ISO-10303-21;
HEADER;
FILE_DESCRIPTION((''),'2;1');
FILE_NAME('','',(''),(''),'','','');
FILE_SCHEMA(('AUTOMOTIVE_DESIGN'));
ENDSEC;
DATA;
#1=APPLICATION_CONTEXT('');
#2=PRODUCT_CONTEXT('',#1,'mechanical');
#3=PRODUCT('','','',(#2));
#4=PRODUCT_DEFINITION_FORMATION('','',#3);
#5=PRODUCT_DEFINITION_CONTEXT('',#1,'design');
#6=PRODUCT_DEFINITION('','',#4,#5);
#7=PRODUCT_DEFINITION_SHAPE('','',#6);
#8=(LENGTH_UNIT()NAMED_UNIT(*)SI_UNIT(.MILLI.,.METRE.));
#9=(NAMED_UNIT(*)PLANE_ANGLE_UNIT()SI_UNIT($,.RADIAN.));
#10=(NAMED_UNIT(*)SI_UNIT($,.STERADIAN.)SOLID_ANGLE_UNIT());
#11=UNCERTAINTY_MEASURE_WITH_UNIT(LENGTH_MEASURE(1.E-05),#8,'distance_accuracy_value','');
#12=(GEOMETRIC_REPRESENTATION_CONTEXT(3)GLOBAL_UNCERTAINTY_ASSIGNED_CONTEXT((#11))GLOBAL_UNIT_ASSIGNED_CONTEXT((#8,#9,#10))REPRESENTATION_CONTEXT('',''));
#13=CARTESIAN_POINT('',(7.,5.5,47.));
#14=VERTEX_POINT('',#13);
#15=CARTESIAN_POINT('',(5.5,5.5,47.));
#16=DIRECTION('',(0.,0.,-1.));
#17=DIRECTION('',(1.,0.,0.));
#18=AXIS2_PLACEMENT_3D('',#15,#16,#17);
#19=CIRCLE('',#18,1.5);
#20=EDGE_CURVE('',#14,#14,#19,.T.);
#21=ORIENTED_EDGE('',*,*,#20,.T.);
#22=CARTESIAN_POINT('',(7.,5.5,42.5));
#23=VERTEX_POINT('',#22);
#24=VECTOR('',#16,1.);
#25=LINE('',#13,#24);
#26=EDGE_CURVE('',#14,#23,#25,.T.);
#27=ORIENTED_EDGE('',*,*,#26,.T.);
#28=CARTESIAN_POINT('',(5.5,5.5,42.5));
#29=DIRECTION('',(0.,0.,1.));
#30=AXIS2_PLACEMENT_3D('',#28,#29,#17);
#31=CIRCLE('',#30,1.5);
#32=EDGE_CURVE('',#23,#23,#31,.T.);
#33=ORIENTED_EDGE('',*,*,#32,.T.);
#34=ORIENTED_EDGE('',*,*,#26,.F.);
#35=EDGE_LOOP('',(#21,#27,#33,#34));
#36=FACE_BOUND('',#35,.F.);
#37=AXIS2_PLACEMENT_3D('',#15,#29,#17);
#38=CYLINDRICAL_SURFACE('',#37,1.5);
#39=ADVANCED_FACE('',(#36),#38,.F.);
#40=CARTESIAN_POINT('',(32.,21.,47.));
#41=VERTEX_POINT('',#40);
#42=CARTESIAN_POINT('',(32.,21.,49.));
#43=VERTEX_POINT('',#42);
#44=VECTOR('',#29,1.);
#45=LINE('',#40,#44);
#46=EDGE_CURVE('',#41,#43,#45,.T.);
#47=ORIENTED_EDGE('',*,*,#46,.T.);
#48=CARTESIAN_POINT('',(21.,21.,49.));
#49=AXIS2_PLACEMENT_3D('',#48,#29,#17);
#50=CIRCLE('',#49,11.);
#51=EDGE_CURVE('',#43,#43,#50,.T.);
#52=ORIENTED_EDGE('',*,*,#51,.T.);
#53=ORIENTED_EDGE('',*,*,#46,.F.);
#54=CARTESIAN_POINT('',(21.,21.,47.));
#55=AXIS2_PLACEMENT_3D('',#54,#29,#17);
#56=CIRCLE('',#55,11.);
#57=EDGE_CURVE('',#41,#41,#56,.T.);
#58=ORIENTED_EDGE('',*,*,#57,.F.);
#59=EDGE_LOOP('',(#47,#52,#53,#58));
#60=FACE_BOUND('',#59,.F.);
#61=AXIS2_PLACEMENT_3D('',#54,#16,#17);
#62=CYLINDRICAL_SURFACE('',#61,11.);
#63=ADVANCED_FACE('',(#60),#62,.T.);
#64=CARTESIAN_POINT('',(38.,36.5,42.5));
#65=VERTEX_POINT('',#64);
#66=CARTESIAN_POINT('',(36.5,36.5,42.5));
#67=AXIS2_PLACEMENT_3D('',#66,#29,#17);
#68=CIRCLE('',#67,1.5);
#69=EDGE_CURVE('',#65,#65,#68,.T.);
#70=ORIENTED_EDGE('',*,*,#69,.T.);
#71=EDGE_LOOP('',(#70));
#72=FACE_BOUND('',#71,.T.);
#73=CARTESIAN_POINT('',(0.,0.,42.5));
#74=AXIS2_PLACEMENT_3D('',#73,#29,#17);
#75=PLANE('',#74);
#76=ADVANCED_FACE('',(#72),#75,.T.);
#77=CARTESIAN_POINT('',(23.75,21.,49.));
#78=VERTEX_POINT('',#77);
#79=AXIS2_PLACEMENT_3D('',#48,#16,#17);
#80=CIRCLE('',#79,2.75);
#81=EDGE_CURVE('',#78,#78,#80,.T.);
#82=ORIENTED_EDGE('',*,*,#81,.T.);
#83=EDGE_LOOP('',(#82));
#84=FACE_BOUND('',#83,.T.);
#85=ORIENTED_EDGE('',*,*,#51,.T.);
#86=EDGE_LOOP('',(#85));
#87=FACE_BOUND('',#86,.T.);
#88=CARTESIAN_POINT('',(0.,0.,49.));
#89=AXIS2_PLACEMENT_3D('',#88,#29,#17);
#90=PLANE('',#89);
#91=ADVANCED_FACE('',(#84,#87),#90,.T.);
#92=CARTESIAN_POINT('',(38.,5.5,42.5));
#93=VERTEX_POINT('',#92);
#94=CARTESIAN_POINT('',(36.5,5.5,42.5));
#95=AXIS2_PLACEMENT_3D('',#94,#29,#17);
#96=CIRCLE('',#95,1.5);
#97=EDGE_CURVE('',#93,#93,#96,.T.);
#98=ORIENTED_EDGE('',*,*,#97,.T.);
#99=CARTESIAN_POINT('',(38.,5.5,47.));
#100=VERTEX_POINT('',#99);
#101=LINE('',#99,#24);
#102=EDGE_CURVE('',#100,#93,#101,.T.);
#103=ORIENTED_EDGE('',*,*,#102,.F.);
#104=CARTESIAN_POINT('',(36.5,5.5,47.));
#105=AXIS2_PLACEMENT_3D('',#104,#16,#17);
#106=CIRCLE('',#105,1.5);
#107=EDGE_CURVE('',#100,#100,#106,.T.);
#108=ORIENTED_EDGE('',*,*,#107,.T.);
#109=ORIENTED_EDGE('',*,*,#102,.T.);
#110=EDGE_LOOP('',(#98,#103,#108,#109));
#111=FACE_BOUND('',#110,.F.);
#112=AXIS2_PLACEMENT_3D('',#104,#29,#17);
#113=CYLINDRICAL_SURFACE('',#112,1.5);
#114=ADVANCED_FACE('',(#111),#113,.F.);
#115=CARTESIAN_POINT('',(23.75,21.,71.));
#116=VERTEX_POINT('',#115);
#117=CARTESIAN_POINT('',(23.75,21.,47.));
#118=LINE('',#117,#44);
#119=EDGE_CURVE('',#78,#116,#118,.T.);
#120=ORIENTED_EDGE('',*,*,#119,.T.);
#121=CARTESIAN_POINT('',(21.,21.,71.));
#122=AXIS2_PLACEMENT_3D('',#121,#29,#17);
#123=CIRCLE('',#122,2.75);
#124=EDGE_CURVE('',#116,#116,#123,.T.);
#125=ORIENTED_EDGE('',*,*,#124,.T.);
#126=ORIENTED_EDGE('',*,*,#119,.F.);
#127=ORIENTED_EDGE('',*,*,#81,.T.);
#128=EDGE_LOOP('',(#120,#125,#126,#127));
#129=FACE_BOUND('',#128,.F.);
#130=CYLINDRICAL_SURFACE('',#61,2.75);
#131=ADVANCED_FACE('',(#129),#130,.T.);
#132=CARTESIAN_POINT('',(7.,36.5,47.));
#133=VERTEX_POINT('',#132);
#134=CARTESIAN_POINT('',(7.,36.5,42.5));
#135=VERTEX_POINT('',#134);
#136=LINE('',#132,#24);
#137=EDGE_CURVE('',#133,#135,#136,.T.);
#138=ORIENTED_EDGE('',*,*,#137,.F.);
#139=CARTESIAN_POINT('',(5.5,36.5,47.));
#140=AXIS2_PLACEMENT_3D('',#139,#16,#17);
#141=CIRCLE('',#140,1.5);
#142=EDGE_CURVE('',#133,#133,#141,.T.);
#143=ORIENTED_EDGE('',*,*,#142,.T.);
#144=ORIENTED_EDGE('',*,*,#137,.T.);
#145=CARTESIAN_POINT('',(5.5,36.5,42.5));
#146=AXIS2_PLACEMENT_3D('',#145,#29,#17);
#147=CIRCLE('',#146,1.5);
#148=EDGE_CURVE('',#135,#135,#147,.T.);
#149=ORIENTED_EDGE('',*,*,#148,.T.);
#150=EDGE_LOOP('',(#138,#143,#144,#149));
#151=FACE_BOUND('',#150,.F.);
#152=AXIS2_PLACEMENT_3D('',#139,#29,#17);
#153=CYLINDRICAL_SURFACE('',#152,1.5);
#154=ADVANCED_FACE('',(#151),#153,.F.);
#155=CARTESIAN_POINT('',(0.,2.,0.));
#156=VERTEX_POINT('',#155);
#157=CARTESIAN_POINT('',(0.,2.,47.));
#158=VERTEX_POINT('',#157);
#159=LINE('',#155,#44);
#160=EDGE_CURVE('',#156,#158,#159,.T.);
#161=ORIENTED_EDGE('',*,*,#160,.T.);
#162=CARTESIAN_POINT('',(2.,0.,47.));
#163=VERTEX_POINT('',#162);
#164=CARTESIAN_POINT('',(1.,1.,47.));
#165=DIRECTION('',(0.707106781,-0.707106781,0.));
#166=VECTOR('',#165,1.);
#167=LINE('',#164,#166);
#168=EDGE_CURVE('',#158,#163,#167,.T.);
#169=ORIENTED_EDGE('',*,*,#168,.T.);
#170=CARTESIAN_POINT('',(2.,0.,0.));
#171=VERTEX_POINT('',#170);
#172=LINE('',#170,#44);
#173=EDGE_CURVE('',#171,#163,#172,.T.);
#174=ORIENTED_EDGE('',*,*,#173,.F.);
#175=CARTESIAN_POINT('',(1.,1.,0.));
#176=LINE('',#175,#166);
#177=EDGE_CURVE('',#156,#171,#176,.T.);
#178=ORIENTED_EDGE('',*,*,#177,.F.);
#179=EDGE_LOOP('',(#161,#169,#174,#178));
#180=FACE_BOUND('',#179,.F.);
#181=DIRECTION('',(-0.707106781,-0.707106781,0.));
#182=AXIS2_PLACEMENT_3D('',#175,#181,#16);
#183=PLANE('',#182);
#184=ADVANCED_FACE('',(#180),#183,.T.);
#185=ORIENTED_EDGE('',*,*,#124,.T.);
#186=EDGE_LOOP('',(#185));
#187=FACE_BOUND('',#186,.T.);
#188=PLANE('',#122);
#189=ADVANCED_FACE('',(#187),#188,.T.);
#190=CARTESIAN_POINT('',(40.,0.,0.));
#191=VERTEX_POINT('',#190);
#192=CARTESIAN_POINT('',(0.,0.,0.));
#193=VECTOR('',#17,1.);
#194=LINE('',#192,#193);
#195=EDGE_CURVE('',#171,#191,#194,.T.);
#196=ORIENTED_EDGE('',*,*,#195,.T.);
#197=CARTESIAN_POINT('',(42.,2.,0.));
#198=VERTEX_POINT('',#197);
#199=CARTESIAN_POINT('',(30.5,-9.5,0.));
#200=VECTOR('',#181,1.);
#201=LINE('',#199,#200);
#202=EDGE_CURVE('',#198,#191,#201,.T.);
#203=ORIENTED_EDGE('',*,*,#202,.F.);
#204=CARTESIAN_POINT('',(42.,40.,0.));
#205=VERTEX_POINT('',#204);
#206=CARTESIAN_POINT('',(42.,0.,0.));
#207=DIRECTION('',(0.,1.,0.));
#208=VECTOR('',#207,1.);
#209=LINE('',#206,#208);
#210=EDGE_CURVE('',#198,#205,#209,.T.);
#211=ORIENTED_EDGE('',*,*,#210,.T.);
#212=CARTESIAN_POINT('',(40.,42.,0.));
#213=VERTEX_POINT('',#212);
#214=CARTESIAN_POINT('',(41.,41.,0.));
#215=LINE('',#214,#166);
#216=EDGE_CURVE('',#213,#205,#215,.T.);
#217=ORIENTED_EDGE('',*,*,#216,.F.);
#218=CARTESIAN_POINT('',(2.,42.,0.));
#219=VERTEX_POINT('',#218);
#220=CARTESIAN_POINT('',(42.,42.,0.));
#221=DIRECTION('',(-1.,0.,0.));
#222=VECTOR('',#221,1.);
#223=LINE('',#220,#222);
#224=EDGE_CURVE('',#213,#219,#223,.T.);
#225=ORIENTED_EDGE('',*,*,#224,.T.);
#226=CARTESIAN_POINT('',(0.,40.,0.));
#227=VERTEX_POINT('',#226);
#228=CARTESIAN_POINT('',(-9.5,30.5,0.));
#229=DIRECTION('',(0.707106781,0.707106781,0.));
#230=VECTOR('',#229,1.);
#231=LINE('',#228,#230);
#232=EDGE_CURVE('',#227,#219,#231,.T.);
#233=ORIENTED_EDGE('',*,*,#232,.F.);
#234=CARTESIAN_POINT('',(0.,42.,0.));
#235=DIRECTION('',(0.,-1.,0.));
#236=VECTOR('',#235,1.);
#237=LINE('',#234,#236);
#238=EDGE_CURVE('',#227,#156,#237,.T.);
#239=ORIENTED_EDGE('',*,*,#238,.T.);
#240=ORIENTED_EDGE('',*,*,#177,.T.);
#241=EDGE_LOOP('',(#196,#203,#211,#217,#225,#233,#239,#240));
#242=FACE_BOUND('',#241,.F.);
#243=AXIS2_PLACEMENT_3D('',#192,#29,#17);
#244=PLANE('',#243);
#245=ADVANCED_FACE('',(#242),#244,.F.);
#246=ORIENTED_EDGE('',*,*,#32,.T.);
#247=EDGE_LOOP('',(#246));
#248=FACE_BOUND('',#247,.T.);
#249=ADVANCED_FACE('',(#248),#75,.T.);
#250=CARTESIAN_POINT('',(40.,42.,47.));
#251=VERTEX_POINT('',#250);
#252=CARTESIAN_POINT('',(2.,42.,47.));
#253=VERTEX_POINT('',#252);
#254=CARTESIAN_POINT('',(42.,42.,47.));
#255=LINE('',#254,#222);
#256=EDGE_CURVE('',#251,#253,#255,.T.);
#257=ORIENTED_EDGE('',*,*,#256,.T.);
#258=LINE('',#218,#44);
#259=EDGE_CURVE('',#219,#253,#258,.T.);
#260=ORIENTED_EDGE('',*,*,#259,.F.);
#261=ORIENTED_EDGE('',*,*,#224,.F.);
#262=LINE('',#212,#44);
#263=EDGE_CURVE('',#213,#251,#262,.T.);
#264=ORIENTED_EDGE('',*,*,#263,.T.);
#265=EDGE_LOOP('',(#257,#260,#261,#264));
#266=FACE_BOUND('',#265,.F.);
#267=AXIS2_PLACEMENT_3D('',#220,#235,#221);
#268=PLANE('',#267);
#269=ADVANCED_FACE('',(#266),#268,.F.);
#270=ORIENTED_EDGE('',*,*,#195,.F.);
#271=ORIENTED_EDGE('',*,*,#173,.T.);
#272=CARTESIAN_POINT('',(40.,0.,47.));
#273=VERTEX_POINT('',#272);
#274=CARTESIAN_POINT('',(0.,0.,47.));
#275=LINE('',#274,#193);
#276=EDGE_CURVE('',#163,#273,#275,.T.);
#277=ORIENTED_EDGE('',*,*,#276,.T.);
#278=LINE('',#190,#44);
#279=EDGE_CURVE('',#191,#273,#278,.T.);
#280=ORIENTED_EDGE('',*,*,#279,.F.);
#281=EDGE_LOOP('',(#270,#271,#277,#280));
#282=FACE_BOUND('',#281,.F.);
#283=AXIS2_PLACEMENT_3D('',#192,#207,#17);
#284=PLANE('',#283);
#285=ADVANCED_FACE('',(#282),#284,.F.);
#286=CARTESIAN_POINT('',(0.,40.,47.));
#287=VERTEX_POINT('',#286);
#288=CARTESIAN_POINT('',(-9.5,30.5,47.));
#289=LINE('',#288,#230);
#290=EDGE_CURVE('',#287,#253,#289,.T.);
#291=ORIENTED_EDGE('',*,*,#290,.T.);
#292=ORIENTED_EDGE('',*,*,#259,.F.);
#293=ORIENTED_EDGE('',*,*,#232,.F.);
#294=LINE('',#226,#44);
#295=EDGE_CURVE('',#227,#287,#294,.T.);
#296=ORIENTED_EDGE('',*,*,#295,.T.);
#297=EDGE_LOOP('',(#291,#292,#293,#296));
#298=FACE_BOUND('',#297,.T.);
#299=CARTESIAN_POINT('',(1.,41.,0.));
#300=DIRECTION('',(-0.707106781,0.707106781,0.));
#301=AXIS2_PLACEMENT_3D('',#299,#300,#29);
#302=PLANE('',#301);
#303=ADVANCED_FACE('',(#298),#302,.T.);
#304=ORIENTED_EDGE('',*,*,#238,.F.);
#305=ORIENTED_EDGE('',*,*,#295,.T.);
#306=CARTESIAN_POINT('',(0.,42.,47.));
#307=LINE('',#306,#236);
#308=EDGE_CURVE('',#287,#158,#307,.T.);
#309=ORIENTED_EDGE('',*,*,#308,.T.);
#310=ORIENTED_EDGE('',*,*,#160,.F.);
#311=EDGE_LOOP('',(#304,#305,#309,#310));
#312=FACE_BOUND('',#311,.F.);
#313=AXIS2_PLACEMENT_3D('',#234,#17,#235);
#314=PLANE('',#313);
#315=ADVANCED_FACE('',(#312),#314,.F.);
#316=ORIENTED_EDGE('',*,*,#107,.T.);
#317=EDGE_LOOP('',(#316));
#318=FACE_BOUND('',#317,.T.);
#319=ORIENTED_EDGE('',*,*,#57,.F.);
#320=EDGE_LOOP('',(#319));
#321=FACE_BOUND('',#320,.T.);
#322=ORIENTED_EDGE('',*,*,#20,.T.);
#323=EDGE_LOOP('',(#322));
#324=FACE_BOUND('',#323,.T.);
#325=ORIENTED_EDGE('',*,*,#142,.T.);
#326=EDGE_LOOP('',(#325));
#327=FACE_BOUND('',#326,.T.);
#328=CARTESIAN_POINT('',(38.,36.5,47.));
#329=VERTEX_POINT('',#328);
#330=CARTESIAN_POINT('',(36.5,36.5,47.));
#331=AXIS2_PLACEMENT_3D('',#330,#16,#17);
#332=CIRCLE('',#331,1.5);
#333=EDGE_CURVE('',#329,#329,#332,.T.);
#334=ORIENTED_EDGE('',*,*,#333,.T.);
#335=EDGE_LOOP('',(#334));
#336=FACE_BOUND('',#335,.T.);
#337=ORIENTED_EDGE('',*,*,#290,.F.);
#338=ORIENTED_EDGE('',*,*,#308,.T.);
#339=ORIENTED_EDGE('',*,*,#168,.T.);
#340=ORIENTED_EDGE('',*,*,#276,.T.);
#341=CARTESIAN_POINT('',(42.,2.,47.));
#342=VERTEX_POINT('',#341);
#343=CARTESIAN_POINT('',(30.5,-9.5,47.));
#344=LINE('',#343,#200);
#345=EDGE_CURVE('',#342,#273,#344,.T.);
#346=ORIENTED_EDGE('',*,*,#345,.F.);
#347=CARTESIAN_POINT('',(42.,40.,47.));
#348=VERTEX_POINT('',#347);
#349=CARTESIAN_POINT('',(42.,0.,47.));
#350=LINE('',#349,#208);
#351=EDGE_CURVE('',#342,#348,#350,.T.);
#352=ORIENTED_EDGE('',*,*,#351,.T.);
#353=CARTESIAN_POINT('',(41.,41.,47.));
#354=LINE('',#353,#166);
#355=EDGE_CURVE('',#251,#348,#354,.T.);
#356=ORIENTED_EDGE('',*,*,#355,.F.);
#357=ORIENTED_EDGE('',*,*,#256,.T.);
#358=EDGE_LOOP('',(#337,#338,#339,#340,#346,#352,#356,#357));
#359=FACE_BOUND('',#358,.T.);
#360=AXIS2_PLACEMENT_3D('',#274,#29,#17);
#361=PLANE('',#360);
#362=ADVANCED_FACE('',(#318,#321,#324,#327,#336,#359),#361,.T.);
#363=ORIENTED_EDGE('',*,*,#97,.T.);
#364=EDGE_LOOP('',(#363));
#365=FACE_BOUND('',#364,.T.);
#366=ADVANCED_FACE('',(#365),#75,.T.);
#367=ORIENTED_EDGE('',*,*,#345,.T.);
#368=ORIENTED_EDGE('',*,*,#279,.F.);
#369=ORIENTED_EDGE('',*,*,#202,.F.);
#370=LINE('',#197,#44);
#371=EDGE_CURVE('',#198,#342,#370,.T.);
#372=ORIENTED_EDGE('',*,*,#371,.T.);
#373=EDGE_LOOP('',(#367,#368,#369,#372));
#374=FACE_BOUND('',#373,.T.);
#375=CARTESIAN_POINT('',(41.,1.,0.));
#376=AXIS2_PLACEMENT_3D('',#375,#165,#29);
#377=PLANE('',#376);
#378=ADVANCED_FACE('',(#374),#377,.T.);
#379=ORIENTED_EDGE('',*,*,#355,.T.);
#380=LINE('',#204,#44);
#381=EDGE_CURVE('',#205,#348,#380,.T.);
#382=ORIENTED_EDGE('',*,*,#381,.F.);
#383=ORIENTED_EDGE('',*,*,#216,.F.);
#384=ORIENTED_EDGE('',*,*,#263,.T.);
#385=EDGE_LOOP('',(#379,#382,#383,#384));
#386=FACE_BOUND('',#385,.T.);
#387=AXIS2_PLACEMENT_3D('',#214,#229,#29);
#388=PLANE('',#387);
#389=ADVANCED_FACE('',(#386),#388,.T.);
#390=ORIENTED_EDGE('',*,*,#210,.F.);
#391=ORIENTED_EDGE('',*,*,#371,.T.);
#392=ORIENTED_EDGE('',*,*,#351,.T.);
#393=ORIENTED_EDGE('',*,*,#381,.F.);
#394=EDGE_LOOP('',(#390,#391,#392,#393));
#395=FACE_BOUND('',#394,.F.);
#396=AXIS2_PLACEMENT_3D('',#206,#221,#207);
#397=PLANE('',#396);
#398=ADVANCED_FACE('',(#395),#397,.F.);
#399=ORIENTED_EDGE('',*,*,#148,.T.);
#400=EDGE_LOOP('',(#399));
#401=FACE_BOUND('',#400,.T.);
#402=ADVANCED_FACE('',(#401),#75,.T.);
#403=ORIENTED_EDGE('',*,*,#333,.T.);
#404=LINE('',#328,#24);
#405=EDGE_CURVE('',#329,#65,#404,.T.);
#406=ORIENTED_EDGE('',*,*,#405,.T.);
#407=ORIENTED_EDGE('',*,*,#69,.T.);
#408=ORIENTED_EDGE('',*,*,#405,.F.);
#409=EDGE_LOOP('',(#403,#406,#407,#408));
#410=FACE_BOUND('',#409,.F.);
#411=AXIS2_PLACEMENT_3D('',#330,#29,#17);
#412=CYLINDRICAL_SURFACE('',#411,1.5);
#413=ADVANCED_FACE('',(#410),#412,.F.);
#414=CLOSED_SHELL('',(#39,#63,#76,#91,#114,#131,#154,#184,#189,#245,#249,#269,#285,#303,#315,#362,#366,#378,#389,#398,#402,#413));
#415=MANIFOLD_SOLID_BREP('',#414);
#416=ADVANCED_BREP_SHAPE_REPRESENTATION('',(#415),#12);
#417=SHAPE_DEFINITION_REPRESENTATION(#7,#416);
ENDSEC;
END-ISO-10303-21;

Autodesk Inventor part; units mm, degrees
ref_plane "YZ Plane" through (0, 0, 0) normal (1, 0, 0) x (0, 1, 0)
sketch "Sketch1" plane through (0, 0, 0) normal (0, 0, 1) x (1, 0, 0)
  line L0 (0, 0) -> (42, 0)
  line L1 (42, 0) -> (42, 42)
  line L2 (42, 42) -> (0, 42)
  line L3 (0, 42) -> (0, 0)
  dimension "d0" = 42
  dimension "d1" = 42
extrude "Extrusion1" add sketch "Sketch1" along normal blind 47
chamfer "Chamfer1" distance 2 angle 45 4 edges at (42, 42, 23.5) (0, 42, 23.5) (42, 0, 23.5) (0, 0, 23.5)
sketch "Sketch2" plane through (0, 0, 47) normal (0, 0, 1) x (1, 0, 0)
  circle A0 centre (21, 21) radius 11
  line L0 (42, 2) -> (42, 40) projected
  line L1 (40, 42) -> (2, 42) projected
  point P0 (0, 0)
  point P1 (21, 42)
  dimension "d7" = 22
  dimension "d10" = 21
  dimension "d11" = 21
extrude "Extrusion2" add sketch "Sketch2" along normal blind 2
sketch "Sketch3" plane through (21, 21, 49) normal (0, 0, 1) x (1, 0, 0)
  circle A0 centre (0, 0) radius 2.75
  circle A1 centre (0, 0) radius 11 projected
  point P0 (-21, -21)
  dimension "d14" = 5.5
extrude "Extrusion3" add sketch "Sketch3" along normal blind 24 from surface at -2 contours A0
sketch "Sketch4" plane through (0, 0, 47) normal (0, 0, 1) x (1, 0, 0)
  circle A0 centre (21, 21) radius 11 projected
  line L0 (2, 0) -> (0, 2) projected
  line L1 (2, 0) -> (40, 0) projected
  line L2 (42, 2) -> (40, 0) projected
  line L3 (42, 2) -> (42, 40) projected
  line L4 (40, 42) -> (42, 40) projected
  line L5 (40, 42) -> (2, 42) projected
  line L6 (0, 40) -> (2, 42) projected
  line L7 (0, 40) -> (0, 2) projected
  circle A1 centre (21, 21) radius 2.75 projected
  circle A2 centre (21, 21) radius 11 projected
  circle A3 centre (21, 21) radius 2.75 projected
  line L8 (5.5, 5.5) -> (36.5, 5.5)
  line L9 (36.5, 5.5) -> (36.5, 36.5)
  line L10 (36.5, 36.5) -> (5.5, 36.5)
  line L11 (5.5, 36.5) -> (5.5, 5.5)
  line L12 (5.5, 5.5) -> (36.5, 36.5) construction
  line L13 (36.5, 5.5) -> (5.5, 36.5) construction
  circle A4 centre (5.5, 5.5) radius 1.5
  circle A5 centre (5.5, 36.5) radius 1.5
  circle A6 centre (36.5, 36.5) radius 1.5
  circle A7 centre (36.5, 5.5) radius 1.5
  point P0 (0, 0)
  dimension "d17" = 31
  dimension "d18" = 31
  dimension "d19" = 3
extrude "Extrusion4" cut sketch "Sketch4" against normal blind 4.5 contours L11 A4 L8 | L8 A4 L11 | A7 L9 L8 | L8 L9 A7 | A5 L10 L11 | L11 L10 A5 | A6 L10 L9 | L9 L10 A6
ref_plane "Work Plane1" through (21, 2, 0) normal (1, 0, 0) x (0, 0, -1)
ref_plane "Work Plane2" through (21, 2, 0) normal (1, 0, 0) x (0, 0, -1)
properties part number "stepper motor" material "Aluminum"
